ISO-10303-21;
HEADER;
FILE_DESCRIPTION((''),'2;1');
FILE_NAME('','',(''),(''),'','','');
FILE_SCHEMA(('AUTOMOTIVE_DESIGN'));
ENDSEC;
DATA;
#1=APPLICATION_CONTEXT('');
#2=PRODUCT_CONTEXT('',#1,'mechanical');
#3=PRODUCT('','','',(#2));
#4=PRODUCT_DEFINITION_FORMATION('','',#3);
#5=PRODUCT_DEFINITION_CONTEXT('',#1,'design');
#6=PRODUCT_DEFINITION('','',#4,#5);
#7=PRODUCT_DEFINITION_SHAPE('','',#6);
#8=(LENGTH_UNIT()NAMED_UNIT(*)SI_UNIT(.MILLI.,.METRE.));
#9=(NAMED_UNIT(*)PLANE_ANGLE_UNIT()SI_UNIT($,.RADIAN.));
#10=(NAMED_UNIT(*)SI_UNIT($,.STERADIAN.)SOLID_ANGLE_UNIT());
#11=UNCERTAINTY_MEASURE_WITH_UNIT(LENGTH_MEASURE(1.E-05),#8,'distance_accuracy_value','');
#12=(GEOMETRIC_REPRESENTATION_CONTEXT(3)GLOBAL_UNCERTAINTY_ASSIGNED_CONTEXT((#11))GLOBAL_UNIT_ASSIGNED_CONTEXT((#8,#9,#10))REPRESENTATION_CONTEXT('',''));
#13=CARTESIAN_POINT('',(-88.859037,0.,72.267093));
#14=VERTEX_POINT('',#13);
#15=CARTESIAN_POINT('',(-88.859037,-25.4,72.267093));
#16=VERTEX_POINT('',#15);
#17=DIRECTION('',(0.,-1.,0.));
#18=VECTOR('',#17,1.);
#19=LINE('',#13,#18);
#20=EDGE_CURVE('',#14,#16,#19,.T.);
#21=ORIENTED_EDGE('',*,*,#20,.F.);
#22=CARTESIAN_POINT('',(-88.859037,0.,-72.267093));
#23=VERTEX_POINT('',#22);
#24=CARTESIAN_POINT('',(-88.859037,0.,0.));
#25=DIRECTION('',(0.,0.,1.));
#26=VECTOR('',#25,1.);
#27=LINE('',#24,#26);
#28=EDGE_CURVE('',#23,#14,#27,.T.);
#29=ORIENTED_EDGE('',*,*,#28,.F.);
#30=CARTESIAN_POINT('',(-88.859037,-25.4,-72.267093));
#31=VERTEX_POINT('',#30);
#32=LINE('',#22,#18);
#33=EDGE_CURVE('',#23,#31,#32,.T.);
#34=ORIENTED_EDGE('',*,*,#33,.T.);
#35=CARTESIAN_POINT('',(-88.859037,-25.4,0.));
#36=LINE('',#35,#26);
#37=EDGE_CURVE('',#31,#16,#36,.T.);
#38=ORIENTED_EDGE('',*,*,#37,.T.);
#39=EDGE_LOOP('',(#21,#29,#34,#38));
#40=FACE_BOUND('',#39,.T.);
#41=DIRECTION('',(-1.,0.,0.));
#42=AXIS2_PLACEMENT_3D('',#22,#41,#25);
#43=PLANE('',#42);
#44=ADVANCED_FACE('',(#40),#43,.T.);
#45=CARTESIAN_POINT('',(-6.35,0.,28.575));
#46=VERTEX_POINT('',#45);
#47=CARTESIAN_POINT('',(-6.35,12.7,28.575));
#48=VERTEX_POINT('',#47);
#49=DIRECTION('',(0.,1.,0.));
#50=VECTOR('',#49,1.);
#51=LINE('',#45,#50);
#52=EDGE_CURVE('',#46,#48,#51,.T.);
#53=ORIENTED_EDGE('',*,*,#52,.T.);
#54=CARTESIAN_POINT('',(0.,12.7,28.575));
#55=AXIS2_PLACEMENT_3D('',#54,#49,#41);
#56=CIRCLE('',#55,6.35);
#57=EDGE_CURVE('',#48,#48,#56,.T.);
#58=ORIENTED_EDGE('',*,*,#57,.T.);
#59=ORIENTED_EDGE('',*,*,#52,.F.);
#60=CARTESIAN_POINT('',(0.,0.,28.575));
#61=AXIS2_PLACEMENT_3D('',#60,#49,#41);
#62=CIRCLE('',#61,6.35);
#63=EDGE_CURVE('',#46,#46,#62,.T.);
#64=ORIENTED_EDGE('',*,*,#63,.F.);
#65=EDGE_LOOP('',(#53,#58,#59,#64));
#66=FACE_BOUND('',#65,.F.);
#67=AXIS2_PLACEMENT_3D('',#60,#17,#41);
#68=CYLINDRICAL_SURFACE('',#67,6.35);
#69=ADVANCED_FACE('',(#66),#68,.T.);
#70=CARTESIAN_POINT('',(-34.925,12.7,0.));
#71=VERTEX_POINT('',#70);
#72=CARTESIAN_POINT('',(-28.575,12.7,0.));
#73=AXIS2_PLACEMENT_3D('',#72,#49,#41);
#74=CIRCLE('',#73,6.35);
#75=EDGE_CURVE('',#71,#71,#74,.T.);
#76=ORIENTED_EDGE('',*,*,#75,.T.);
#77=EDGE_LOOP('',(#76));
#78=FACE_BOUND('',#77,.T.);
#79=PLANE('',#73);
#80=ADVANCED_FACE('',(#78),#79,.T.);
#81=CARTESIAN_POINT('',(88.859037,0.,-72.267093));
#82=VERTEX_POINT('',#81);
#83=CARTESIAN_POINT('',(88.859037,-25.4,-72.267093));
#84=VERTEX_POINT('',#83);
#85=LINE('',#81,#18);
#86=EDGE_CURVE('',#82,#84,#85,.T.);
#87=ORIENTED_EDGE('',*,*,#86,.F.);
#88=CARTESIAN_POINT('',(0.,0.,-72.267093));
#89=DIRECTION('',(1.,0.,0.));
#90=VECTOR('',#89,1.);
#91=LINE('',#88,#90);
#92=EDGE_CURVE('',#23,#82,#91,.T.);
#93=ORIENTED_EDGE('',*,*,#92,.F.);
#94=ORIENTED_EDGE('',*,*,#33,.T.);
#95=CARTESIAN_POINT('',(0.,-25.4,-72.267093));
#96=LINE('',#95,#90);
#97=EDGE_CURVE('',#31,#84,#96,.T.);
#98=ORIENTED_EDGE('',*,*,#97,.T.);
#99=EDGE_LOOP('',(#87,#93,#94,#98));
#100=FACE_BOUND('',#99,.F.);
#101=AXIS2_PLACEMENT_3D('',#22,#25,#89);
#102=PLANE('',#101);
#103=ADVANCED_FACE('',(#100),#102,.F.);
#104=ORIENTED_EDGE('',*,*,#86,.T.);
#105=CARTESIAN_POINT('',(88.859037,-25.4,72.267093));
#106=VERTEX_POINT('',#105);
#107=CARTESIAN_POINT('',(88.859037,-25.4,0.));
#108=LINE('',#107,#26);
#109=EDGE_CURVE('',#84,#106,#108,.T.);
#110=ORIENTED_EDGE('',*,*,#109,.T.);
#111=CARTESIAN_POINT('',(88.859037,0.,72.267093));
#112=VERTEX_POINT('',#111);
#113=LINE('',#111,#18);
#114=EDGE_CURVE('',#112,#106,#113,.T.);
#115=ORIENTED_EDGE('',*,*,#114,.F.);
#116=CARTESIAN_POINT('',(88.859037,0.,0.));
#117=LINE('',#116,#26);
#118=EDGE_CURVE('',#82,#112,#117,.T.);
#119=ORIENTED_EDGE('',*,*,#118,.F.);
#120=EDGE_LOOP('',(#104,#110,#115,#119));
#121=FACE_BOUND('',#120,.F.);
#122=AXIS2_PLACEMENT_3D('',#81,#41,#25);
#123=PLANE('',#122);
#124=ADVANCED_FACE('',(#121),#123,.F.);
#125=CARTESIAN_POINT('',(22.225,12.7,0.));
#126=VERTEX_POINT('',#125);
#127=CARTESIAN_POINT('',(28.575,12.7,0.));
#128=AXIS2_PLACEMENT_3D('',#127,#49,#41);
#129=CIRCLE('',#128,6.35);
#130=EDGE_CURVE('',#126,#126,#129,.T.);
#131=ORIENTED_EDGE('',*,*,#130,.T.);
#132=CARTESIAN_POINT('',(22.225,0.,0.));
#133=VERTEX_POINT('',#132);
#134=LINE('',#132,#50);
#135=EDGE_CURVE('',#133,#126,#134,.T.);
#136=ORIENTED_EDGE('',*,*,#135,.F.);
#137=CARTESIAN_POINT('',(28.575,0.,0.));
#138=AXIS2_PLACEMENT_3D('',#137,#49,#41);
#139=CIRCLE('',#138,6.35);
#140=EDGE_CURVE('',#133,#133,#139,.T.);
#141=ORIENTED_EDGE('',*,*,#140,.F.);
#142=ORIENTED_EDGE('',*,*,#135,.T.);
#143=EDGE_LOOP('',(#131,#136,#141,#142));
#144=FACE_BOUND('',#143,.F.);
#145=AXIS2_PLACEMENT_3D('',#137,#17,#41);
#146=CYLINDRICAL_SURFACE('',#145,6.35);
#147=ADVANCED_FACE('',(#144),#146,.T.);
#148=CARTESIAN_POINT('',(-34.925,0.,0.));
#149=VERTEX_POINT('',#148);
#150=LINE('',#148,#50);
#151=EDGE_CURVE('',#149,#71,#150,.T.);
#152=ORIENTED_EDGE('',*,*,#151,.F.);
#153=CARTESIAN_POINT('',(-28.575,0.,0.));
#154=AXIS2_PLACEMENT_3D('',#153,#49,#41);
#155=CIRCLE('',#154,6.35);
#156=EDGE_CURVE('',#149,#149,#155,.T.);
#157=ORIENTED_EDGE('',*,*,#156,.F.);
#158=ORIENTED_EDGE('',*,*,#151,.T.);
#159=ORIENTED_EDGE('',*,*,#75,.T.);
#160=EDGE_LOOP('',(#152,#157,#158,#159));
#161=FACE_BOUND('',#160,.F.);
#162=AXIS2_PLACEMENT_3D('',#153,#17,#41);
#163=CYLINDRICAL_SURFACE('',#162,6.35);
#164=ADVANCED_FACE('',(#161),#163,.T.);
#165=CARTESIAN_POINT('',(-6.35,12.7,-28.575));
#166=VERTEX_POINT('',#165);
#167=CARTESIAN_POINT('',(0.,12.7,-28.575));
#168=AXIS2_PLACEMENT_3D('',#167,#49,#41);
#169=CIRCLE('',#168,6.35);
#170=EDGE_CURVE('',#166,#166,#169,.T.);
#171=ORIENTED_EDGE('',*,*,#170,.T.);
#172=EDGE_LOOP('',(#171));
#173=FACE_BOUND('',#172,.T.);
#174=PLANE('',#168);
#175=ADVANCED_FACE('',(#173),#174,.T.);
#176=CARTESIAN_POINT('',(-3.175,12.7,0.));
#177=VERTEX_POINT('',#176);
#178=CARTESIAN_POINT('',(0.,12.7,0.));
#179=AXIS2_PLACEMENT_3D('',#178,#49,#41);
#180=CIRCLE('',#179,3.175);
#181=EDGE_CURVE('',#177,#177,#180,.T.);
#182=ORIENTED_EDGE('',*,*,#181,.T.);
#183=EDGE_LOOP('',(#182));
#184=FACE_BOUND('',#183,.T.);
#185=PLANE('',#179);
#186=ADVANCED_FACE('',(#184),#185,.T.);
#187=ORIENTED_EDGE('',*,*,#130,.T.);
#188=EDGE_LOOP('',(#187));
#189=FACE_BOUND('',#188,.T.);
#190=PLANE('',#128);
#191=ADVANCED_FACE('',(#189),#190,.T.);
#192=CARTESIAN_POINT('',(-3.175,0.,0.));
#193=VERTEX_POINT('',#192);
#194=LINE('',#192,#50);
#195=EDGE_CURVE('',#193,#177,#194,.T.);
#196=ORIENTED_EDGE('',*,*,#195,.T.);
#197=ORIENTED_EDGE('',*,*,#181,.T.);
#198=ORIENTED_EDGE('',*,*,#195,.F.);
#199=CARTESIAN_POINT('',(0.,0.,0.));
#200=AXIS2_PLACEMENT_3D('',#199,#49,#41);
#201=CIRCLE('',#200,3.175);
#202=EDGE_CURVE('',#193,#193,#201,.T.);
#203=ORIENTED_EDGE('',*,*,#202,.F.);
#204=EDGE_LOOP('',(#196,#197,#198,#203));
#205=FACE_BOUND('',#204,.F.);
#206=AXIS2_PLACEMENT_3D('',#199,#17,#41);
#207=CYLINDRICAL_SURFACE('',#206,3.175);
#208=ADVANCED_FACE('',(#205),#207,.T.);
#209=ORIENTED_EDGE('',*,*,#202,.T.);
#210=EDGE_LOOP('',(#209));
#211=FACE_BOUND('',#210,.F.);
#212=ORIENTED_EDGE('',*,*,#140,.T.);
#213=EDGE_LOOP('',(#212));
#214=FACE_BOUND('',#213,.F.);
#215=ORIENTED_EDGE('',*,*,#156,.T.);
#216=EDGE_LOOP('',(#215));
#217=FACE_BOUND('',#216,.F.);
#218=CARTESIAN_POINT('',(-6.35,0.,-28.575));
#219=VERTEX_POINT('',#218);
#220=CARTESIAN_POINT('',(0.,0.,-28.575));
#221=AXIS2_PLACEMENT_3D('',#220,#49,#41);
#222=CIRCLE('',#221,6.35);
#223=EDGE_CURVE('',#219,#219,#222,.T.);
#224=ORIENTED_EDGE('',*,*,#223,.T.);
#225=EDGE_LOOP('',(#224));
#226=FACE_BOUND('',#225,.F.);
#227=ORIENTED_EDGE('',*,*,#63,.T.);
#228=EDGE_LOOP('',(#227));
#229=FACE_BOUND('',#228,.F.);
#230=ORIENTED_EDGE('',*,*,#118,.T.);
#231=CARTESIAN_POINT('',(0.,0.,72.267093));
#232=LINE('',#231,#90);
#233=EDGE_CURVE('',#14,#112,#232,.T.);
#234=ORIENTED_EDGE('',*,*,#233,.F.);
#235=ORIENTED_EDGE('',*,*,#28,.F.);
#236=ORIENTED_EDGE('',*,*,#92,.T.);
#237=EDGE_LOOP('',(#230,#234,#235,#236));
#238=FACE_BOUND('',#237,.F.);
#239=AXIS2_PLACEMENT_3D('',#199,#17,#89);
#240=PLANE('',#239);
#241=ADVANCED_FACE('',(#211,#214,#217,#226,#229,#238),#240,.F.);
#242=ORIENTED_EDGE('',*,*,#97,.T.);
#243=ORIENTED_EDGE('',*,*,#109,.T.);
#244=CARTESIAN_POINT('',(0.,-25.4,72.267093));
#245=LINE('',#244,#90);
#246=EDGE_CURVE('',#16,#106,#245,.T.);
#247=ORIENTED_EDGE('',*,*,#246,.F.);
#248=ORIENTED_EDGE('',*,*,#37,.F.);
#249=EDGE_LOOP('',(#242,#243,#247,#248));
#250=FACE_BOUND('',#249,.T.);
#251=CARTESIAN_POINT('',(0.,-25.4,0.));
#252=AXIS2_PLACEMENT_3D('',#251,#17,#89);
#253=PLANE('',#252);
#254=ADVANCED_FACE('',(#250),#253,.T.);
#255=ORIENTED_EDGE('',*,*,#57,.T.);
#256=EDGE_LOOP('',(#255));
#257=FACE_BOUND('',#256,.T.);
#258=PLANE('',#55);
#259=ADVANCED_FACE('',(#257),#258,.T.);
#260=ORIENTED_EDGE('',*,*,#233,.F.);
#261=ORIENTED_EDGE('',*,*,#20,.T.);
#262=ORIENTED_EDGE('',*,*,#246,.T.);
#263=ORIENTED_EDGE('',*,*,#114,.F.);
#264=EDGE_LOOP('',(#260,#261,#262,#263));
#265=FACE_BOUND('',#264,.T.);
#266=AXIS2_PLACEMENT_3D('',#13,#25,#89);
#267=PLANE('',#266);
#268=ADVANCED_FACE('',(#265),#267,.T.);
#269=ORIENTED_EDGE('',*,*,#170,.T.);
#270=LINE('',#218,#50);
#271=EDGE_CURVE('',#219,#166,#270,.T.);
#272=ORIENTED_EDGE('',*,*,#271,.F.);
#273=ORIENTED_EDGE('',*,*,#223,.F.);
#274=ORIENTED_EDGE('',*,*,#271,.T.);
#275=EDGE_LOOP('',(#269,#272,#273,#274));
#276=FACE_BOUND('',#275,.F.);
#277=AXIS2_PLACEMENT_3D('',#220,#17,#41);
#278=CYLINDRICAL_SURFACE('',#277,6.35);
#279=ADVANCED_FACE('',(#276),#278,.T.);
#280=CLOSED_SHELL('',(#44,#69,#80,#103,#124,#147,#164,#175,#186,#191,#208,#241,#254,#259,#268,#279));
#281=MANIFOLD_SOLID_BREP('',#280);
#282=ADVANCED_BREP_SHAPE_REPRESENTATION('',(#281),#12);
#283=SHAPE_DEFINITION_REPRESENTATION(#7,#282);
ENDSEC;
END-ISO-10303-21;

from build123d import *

# Parameters (mm, degrees)
F0_W     = 177.718074
F0_H     = 144.534186
F1_DEPTH = 25.4
F3_R     = 3.175
F4_DEPTH = 12.7
F5_R     = 6.35
F6_DEPTH = 12.7


with BuildPart() as f1:
    # F0 (on Front) → F1 (new body)
    with BuildSketch(Plane.XZ):
        Rectangle(F0_W, F0_H)
    extrude(amount=F1_DEPTH)

    # F3 (on face) → F4 (join)
    with BuildSketch(Plane(origin=(0, 0, 0), x_dir=(-1, 0, 0), z_dir=(0, 1, 0))):
        Circle(F3_R)
    extrude(amount=F4_DEPTH)

    # F5 (on face) → F6 (join)
    with BuildSketch(Plane(origin=(0, 0, 0), x_dir=(-1, 0, 0), z_dir=(0, 1, 0))):
        with Locations((-28.575, 0)):
            Circle(F5_R)
        with Locations((0, 28.575)):
            Circle(F5_R)
        with Locations((28.575, 0)):
            Circle(F5_R)
        with Locations((0, -28.575)):
            Circle(F5_R)
    extrude(amount=F6_DEPTH)


solid = f1.part
